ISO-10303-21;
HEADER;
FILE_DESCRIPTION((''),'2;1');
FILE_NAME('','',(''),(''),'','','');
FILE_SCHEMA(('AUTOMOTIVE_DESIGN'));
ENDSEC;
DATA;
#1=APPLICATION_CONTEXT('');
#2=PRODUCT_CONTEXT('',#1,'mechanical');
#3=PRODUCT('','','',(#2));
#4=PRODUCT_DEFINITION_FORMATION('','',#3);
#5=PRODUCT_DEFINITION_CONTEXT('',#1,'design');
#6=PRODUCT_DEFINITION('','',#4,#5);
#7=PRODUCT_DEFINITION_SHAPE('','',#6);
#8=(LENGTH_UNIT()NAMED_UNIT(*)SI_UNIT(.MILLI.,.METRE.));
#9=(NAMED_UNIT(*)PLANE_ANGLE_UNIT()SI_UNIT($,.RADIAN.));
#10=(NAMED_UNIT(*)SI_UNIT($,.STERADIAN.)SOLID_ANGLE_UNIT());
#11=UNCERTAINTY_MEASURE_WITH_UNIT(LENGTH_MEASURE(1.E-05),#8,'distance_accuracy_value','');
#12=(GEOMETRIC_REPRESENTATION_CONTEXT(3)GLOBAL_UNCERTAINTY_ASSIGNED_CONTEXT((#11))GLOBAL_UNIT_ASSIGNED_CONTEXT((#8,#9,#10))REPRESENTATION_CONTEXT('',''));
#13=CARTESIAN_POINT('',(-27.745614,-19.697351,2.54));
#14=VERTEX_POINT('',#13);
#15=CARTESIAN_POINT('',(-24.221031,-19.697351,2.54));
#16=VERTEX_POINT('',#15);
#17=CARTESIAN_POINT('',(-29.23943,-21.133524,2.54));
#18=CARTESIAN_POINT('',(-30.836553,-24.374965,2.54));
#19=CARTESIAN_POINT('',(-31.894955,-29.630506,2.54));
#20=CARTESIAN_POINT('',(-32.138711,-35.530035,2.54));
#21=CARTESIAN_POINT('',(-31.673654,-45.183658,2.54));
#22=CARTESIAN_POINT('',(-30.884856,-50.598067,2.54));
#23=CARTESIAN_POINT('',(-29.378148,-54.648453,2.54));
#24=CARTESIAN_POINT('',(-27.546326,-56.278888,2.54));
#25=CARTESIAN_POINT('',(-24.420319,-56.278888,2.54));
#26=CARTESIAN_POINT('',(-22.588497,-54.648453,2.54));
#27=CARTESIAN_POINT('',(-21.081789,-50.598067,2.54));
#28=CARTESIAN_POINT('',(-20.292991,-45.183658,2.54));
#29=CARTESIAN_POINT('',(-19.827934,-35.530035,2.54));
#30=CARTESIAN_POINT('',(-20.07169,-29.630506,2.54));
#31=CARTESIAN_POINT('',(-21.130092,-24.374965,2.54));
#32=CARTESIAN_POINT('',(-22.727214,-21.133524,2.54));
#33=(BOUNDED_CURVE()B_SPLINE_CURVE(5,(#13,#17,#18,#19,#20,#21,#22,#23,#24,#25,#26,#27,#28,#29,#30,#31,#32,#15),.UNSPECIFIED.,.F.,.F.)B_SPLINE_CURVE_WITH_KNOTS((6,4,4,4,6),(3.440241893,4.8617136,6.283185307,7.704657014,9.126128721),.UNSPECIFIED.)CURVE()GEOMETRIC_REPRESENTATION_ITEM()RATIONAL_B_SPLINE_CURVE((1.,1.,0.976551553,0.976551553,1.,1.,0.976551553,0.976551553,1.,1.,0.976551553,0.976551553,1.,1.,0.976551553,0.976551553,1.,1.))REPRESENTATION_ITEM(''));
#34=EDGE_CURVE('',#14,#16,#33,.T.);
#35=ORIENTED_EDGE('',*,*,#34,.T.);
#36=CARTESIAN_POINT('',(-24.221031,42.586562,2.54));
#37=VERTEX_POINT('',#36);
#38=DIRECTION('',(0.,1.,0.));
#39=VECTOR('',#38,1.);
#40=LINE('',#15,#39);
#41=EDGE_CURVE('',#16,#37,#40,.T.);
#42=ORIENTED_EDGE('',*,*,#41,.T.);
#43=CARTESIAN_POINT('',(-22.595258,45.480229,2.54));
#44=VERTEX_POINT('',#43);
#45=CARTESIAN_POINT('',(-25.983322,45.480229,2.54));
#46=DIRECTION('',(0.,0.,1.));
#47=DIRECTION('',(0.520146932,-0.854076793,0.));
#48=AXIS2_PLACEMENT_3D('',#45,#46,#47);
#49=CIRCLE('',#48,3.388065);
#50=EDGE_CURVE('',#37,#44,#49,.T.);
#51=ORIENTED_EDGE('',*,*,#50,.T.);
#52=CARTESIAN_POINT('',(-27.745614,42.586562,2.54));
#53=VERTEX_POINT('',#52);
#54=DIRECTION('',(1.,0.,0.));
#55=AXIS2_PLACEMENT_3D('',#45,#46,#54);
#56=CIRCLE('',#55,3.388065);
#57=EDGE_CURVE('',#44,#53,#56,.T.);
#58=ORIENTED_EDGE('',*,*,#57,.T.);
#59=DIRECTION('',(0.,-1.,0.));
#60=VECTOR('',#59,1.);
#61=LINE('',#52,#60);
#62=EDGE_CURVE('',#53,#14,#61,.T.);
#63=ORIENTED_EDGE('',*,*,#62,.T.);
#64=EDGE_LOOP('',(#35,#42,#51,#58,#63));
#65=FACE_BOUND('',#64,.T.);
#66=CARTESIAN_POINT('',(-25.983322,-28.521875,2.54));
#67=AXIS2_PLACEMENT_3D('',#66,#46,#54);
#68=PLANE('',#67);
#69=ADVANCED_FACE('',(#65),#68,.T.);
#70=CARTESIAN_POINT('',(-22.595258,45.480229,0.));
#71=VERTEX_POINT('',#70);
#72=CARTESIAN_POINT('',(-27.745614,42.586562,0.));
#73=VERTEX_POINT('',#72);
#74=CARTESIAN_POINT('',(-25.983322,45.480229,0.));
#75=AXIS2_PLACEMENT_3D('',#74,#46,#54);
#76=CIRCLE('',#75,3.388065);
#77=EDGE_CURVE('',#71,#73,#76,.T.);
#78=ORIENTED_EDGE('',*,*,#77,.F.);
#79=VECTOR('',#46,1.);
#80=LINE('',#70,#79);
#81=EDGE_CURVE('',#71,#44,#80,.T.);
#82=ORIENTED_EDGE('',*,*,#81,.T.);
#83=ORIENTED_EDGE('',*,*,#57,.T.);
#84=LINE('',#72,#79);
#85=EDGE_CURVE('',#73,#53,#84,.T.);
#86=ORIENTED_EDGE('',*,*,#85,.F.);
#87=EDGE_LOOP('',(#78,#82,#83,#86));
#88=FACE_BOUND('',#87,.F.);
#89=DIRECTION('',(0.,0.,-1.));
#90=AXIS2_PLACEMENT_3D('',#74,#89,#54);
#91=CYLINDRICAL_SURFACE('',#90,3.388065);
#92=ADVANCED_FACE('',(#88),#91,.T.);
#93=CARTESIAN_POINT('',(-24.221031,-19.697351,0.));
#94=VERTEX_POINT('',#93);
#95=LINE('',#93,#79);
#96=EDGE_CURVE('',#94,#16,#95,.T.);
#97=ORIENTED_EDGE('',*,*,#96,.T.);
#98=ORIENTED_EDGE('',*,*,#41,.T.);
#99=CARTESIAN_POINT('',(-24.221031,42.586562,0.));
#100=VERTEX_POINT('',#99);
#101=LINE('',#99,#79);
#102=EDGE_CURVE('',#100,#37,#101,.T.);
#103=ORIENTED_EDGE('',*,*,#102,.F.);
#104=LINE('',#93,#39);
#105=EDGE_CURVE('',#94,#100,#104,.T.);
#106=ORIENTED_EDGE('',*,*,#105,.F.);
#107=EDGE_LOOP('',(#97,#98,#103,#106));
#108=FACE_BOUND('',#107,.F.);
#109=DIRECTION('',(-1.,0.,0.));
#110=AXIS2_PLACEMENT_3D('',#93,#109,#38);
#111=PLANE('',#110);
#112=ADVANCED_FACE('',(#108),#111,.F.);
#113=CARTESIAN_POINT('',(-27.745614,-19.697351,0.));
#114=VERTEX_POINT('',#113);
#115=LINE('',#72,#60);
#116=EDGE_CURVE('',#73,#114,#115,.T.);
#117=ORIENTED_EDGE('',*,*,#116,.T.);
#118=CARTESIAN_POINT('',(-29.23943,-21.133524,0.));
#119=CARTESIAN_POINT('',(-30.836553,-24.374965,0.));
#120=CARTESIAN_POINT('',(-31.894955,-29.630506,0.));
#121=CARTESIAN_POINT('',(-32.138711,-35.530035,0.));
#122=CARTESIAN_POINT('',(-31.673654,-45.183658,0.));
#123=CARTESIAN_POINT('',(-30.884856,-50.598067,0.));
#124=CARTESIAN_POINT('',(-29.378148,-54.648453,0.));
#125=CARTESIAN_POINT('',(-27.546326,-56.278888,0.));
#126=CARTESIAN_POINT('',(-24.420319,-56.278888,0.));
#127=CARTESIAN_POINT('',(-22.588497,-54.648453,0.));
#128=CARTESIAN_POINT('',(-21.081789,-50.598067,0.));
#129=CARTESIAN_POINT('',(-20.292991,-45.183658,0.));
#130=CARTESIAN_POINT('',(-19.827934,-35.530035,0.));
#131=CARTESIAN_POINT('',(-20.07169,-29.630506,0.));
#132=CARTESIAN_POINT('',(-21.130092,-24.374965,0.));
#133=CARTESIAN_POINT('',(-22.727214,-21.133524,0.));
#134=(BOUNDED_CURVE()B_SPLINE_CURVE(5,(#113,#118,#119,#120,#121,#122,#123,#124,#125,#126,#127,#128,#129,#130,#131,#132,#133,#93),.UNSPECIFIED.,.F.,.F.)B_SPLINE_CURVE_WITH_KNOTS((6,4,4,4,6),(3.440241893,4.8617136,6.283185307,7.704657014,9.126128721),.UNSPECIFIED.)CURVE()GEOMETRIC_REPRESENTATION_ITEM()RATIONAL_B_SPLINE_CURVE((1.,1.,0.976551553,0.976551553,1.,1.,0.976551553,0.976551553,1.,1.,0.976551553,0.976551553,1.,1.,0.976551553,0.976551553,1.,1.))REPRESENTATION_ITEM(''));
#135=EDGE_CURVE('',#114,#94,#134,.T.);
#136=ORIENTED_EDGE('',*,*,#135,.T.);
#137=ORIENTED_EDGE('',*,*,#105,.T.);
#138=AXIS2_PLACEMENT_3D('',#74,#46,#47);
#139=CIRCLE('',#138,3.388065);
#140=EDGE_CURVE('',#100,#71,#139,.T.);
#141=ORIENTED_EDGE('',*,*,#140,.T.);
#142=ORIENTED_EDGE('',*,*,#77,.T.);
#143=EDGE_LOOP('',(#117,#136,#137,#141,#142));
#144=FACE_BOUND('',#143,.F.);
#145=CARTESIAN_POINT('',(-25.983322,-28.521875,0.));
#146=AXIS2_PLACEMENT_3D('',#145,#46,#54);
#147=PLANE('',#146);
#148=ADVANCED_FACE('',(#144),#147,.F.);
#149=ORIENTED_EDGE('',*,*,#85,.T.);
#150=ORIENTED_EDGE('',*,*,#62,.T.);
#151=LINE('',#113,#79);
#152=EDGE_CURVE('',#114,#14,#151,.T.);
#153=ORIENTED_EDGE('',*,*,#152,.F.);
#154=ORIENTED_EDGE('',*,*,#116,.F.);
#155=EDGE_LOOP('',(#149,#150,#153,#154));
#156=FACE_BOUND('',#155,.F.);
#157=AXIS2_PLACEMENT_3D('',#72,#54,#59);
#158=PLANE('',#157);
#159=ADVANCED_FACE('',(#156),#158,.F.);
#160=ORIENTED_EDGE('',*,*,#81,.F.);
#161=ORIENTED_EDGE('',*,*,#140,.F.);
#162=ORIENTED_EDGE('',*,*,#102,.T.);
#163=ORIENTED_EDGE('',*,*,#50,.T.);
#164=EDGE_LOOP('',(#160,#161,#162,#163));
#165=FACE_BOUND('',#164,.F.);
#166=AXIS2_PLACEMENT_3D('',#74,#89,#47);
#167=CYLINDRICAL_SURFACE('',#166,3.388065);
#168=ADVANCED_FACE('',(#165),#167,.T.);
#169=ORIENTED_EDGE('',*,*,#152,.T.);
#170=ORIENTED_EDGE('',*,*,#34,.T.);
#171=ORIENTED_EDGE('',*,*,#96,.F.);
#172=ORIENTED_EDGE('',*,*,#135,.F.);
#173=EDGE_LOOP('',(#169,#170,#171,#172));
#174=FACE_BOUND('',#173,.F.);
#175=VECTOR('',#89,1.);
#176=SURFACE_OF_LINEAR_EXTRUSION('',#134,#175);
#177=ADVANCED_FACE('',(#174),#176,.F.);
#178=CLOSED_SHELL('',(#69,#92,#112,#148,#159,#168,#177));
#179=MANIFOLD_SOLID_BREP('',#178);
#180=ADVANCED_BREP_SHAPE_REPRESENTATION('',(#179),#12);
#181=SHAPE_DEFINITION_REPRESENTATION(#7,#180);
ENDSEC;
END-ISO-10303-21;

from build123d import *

# Parameters (mm, degrees)
F1_DEPTH = 2.54


with BuildPart() as f1:
    # F0 (on Top) → F1 (new body)
    with BuildSketch(Plane.XY):
        with BuildLine():
            add(Edge.make_bspline(
                [(-24.2210309952, -19.697351149), (-25.9833224118, -18.003063926), (-27.7456138283, -19.697351149)],
                knots=[2.8429434142, 2.8429434142, 2.8429434142, 3.440241893, 3.440241893, 3.440241893], degree=2, weights=[1, 0.9557347945, 1]))
            Line((-27.7456138283, -19.697351149), (-27.7456138283, -37.5741347671))
            Line((-27.7456138283, -37.5741347671), (-24.2210309952, -37.5741347671))
            Line((-24.2210309952, -37.5741347671), (-24.2210309952, -19.697351149))
        make_face()
        with BuildLine():
            Line((-27.7456138283, -37.5741347671), (-27.7456138283, -19.697351149))
            add(Edge.make_bspline(
                [(-27.7456138283, -19.697351149), (-32.6732165168, -24.4348050101), (-31.9061826661, -40.3568465731), (-31.1391488154, -56.2788881361), (-25.9833224118, -56.2788881361)],
                knots=[3.440241893, 3.440241893, 3.440241893, 4.8617136001, 4.8617136001, 6.2831853072, 6.2831853072, 6.2831853072], degree=2, weights=[1, 0.7578820165, 1, 0.7578820165, 1]))
            add(Edge.make_bspline(
                [(-25.9833224118, -56.2788881361), (-20.8274960082, -56.2788881361), (-20.0604621575, -40.3568465731), (-19.2934283067, -24.4348050101), (-24.2210309952, -19.697351149)],
                knots=[0, 0, 0, 1.4214717071, 1.4214717071, 2.8429434142, 2.8429434142, 2.8429434142], degree=2, weights=[1, 0.7578820165, 1, 0.7578820165, 1]))
            Line((-24.2210309952, -19.697351149), (-24.2210309952, -37.5741347671))
            Line((-24.2210309952, -37.5741347671), (-27.7456138283, -37.5741347671))
        make_face()
        with BuildLine():
            ThreePointArc((-24.2210309952, 42.5865615958), (-25.9833224118, 42.0921643427), (-27.7456138283, 42.5865615958))
            Line((-27.7456138283, 42.5865615958), (-27.7456138283, -19.697351149))
            add(Edge.make_bspline(
                [(-24.2210309952, -19.697351149), (-25.9833224118, -18.003063926), (-27.7456138283, -19.697351149)],
                knots=[2.8429434142, 2.8429434142, 2.8429434142, 3.440241893, 3.440241893, 3.440241893], degree=2, weights=[1, 0.9557347945, 1]))
            Line((-24.2210309952, -19.697351149), (-24.2210309952, 42.5865615958))
        make_face()
        with BuildLine():
            Line((-27.7456138283, 42.5865615958), (-27.7456138283, 45.4802289605))
            Line((-27.7456138283, 45.4802289605), (-24.2210309952, 45.4802289605))
            Line((-24.2210309952, 45.4802289605), (-24.2210309952, 42.5865615958))
            ThreePointArc((-24.2210309952, 42.5865615958), (-23.0295334002, 43.8206771144), (-22.5952577939, 45.4802289605))
            ThreePointArc((-22.5952577939, 45.4802289605), (-27.6428742579, 48.434017972), (-27.7456138283, 42.5865615958))
        make_face()
        with BuildLine():
            Line((-24.2210309952, 45.4802289605), (-27.7456138283, 45.4802289605))
            Line((-27.7456138283, 45.4802289605), (-27.7456138283, 42.5865615958))
            ThreePointArc((-27.7456138283, 42.5865615958), (-25.9833224118, 42.0921643427), (-24.2210309952, 42.5865615958))
            Line((-24.2210309952, 42.5865615958), (-24.2210309952, 45.4802289605))
        make_face()
    extrude(amount=F1_DEPTH)


solid = f1.part
